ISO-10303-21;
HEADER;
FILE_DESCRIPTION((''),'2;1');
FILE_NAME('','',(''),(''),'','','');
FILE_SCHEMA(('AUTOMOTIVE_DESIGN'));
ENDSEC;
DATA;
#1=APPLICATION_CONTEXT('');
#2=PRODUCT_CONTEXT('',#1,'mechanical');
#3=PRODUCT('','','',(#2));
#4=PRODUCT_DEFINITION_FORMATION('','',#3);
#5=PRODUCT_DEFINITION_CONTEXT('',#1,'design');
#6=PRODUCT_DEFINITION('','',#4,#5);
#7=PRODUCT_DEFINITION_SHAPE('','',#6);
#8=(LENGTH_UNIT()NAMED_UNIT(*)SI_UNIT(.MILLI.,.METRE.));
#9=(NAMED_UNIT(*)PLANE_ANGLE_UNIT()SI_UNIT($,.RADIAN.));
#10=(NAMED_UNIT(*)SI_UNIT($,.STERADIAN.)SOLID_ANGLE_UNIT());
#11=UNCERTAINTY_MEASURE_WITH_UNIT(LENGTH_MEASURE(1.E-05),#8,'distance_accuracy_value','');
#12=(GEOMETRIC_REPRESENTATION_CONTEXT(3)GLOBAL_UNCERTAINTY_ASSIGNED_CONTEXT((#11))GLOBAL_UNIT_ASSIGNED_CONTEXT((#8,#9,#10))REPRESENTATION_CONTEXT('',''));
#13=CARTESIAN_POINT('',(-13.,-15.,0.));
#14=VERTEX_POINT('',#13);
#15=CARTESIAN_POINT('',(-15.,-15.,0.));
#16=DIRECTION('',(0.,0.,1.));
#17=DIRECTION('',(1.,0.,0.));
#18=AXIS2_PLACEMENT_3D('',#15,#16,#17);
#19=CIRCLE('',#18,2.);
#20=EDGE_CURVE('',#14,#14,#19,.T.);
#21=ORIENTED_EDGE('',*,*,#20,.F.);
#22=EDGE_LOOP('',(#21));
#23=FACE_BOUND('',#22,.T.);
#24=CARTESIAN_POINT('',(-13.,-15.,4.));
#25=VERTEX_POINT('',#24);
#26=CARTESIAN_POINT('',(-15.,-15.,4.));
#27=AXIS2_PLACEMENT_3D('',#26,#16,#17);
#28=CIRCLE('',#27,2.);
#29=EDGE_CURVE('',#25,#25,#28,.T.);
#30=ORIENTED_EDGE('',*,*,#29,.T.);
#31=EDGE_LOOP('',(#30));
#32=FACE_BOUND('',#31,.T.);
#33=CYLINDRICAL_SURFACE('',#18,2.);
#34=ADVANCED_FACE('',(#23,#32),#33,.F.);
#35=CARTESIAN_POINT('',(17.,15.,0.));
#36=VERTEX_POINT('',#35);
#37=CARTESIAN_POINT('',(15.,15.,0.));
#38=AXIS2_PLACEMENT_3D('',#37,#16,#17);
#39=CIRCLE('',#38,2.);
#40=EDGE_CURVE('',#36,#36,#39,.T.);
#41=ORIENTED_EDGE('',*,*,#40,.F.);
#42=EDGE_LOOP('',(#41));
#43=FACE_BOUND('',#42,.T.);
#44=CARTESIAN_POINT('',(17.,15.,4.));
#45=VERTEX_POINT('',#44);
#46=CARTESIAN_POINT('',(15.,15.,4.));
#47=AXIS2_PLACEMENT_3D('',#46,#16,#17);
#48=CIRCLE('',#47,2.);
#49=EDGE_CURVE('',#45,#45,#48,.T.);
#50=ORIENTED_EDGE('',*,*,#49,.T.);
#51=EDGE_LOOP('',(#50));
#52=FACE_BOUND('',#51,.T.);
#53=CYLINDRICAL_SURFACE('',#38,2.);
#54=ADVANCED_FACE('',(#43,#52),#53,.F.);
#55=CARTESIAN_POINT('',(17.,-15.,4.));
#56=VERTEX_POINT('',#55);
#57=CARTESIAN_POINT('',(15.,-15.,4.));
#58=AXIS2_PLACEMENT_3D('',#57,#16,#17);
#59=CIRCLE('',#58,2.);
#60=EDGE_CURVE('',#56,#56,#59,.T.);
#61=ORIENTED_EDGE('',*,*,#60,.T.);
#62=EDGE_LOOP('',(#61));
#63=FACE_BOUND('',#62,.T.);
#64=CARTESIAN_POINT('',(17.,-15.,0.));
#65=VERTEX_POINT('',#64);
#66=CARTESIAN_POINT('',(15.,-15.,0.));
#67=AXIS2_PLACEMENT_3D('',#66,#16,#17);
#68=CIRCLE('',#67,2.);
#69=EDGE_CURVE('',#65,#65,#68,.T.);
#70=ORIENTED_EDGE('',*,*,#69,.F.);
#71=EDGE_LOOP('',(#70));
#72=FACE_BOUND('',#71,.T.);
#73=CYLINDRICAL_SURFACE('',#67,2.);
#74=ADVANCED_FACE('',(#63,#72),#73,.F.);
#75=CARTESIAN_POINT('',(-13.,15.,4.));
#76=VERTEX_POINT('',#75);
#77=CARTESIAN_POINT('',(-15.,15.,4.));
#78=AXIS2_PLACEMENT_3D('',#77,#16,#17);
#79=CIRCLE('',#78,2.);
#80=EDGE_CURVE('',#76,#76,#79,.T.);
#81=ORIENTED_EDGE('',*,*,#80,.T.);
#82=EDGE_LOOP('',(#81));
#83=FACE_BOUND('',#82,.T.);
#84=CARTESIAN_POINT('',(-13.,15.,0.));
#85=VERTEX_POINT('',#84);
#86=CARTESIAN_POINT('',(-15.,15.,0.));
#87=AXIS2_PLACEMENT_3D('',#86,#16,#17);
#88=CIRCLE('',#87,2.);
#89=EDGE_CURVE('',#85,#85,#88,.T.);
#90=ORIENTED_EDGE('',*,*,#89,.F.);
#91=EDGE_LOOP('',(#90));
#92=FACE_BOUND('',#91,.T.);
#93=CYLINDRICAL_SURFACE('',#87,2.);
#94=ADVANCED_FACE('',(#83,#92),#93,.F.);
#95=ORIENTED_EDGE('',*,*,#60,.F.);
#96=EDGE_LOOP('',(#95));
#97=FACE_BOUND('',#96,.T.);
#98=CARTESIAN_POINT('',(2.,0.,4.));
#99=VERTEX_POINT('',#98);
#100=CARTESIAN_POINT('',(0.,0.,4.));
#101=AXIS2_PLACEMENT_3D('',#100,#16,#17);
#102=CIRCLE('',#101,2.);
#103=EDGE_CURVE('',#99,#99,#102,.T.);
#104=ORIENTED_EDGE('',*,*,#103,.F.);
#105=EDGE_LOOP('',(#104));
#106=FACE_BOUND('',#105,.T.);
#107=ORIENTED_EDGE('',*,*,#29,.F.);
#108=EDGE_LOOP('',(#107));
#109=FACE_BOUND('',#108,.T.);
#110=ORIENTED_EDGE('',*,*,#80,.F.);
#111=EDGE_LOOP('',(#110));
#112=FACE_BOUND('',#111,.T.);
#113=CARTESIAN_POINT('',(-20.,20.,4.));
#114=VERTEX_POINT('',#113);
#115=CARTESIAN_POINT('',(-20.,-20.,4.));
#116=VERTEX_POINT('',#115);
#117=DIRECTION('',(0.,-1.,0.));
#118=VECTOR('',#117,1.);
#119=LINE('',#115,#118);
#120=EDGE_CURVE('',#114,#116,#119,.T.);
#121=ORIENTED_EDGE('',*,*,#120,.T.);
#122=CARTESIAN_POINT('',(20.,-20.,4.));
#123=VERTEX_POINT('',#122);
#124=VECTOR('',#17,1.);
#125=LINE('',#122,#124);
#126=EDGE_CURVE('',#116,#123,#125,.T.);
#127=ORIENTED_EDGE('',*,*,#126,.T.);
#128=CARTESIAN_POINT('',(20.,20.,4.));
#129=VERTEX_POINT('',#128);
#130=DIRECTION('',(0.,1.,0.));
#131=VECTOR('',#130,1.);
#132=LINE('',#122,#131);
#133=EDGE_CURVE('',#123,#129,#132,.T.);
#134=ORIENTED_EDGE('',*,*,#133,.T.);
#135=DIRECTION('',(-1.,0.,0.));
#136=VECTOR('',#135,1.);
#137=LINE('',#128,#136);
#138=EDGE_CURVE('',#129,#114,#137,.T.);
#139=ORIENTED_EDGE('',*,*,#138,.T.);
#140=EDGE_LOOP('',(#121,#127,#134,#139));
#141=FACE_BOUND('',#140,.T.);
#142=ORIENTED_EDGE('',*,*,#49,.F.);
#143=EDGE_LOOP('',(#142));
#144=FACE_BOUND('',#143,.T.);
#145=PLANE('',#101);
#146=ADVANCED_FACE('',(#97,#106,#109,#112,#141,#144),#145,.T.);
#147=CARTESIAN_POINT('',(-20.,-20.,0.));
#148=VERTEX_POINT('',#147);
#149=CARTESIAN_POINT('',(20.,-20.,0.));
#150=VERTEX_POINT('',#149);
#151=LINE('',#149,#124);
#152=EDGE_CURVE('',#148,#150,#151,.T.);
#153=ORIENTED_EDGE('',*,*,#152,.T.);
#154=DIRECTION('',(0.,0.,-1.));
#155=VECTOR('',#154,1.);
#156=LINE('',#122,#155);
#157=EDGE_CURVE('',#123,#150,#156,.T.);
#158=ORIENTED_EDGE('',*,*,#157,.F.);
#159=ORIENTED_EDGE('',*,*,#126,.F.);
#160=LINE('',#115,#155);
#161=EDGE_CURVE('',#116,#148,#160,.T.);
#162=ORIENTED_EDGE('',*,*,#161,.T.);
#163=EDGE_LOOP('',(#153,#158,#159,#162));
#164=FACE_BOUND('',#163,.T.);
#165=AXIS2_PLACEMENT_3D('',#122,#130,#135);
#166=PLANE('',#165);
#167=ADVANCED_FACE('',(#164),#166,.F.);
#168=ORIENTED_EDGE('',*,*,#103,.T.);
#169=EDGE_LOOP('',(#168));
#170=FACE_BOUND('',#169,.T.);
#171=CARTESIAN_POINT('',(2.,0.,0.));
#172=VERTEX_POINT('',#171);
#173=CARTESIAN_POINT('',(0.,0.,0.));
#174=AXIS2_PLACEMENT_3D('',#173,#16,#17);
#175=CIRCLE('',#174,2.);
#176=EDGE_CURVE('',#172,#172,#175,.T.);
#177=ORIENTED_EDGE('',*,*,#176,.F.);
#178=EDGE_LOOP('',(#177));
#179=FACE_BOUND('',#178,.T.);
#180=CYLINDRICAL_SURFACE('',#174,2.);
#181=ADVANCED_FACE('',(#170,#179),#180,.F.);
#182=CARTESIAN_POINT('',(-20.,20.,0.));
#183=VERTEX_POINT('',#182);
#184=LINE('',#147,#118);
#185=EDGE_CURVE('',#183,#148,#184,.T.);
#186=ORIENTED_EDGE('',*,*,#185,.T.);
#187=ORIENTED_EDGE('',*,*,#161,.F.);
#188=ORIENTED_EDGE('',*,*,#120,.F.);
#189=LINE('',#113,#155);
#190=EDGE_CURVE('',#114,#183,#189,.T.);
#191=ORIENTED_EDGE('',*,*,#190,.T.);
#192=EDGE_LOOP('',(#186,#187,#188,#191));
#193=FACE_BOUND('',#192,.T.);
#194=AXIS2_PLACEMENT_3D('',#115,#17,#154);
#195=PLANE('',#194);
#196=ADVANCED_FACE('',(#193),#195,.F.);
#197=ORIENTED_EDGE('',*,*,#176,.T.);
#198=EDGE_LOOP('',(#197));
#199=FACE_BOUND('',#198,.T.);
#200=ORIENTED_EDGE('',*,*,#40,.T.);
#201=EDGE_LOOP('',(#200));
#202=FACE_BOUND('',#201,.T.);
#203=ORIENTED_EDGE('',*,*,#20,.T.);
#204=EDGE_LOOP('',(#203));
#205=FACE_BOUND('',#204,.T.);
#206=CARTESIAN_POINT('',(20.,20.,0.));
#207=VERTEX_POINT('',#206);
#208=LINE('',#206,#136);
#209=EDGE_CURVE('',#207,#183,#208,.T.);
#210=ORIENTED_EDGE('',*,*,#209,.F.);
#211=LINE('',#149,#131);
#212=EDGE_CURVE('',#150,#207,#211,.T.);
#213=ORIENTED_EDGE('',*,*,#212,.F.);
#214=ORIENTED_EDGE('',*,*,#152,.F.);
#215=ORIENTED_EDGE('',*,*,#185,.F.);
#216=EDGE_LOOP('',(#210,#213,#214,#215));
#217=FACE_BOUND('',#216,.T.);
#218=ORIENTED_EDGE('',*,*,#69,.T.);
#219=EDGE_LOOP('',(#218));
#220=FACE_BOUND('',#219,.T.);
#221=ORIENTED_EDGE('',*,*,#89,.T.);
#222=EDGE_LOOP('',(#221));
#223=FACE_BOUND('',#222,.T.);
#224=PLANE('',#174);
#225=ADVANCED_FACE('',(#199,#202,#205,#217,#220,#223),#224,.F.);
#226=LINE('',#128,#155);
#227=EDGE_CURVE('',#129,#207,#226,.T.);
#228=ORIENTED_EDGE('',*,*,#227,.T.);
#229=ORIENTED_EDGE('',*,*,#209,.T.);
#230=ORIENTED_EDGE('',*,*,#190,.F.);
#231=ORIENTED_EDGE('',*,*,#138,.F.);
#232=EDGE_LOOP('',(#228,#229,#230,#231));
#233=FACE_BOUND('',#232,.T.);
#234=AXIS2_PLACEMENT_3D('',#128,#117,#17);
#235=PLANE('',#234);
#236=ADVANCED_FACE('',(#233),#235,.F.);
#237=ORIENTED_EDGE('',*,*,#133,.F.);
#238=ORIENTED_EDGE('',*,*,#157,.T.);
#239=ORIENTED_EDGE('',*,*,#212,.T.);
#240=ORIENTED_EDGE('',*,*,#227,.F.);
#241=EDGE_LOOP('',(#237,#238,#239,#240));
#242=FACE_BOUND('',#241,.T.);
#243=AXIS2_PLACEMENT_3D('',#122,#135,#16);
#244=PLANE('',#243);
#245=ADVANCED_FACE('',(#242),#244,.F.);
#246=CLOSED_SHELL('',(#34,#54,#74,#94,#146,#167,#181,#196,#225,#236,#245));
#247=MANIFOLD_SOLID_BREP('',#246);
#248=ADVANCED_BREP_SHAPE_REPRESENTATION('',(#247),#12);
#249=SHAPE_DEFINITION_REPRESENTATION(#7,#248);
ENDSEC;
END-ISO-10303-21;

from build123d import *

# Parameters (mm, degrees)
SKETCH1_W           = 40
SKETCH1_H           = 40
BOSS_EXTRUDE1_DEPTH = 4
SKETCH2_R           = 2
CUT_EXTRUDE1_DEPTH  = 4
SKETCH3_R           = 2
CUT_EXTRUDE2_DEPTH  = 4


with BuildPart() as part:
    # Sketch1 → Boss-Extrude1 (new body)
    with BuildSketch(Plane.XY):
        Rectangle(SKETCH1_W, SKETCH1_H)
    extrude(amount=BOSS_EXTRUDE1_DEPTH)

    # Sketch2 → Cut-Extrude1 (cut)
    with BuildSketch(Plane.XY.offset(4)):
        with Locations((-15, 15)):
            Circle(SKETCH2_R)
        with Locations((15, 15)):
            Circle(SKETCH2_R)
        with Locations((15, -15)):
            Circle(SKETCH2_R)
        with Locations((-15, -15)):
            Circle(SKETCH2_R)
    extrude(amount=-CUT_EXTRUDE1_DEPTH, mode=Mode.SUBTRACT)

    # Sketch3 → Cut-Extrude2 (cut)
    with BuildSketch(Plane.XY.offset(4)):
        Circle(SKETCH3_R)
    extrude(amount=-CUT_EXTRUDE2_DEPTH, mode=Mode.SUBTRACT)


solid = part.part
